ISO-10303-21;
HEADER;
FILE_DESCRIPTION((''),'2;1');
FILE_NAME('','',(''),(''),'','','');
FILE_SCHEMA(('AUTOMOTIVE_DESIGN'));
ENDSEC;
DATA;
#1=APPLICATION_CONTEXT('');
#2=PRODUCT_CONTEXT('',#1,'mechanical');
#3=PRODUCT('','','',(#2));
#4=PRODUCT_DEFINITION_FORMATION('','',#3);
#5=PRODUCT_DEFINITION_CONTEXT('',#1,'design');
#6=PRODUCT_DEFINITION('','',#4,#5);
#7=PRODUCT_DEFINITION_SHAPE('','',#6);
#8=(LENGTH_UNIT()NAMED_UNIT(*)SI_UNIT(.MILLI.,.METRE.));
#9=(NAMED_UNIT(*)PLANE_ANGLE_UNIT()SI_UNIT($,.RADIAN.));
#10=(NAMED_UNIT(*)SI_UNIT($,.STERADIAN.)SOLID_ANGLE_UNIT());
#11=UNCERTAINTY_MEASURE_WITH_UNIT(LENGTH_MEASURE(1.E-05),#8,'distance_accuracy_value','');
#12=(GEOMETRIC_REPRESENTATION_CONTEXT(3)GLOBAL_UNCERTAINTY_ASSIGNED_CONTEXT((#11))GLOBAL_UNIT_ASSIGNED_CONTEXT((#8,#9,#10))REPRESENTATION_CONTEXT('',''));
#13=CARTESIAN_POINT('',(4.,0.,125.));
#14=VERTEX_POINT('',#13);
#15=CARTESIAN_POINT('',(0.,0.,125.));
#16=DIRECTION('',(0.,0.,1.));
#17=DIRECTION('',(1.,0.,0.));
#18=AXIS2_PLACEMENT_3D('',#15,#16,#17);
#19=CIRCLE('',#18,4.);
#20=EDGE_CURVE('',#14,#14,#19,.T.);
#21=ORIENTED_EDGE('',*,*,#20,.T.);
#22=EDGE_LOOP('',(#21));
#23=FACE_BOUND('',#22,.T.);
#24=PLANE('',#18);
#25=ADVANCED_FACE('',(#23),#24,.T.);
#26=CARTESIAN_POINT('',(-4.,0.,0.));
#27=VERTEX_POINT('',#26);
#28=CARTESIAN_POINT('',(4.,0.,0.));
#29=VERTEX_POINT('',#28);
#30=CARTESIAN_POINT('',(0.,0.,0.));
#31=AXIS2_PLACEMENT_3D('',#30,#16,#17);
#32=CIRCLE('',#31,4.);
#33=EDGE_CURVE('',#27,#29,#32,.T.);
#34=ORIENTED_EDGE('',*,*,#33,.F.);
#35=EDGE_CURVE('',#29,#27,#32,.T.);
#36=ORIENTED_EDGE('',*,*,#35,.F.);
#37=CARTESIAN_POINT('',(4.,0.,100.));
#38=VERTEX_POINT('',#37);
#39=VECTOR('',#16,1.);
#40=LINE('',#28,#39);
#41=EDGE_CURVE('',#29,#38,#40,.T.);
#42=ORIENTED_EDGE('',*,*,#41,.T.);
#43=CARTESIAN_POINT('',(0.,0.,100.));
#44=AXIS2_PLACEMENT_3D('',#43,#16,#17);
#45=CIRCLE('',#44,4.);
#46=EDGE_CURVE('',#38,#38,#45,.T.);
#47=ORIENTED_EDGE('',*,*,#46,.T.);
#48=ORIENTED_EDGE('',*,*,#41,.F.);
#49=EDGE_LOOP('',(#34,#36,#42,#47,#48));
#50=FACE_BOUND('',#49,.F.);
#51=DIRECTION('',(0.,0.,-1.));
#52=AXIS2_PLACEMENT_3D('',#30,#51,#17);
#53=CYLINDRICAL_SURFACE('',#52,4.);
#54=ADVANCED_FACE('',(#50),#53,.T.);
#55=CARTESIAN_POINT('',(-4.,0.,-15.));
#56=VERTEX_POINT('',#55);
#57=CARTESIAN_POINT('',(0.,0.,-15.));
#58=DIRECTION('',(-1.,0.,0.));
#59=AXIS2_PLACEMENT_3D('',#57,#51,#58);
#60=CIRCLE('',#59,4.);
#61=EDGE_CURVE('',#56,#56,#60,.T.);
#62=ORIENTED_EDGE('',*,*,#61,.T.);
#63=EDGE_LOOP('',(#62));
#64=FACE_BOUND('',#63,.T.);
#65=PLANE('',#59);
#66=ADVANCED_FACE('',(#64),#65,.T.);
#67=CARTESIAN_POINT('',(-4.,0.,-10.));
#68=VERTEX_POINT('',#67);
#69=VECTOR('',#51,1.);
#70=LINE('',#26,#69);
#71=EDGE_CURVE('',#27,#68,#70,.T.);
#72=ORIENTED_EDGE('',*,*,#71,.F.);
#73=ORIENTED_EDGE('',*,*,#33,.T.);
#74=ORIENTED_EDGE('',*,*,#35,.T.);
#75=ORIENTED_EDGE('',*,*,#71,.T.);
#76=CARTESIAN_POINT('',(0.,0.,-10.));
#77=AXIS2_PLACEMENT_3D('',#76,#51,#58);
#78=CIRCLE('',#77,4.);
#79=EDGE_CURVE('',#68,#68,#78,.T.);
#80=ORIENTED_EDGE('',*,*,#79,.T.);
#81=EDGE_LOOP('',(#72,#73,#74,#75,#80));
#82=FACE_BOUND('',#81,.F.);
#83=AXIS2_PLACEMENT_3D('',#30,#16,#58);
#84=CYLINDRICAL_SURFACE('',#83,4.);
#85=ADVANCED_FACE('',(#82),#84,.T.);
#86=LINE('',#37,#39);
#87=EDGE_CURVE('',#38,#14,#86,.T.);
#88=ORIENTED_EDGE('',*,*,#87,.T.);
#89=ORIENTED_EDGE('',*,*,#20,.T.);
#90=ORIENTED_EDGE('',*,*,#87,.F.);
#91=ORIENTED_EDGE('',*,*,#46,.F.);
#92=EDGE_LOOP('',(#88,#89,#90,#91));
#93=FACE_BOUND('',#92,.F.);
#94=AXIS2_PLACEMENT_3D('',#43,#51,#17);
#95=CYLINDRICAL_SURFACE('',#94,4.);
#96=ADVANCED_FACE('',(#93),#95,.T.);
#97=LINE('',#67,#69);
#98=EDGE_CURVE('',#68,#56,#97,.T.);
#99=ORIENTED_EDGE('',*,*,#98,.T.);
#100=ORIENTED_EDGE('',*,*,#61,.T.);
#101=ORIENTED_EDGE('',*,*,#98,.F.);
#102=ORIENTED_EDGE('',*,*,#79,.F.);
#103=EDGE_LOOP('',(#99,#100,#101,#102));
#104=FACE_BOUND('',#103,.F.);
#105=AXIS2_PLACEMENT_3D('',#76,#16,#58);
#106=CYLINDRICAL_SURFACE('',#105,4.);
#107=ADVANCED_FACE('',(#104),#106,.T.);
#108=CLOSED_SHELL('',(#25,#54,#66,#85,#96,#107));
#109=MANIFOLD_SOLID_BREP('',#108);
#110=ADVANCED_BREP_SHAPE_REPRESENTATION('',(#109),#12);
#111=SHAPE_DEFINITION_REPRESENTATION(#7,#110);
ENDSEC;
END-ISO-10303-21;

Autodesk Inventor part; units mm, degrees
ref_plane "YZ Plane" through (0, 0, 0) normal (1, 0, 0) x (0, 1, 0)
ref_plane "XZ Plane" through (0, 0, 0) normal (0, 1, 0) x (-1, 0, 0)
ref_plane "XY Plane" through (0, 0, 0) normal (0, 0, 1) x (1, 0, 0)
sketch "スケッチ1" plane through (0, 0, 0) normal (0, 0, 1) x (1, 0, 0)
  circle A0 centre (0, 0) radius 4
  dimension "d0" = 8
extrude "押し出し1" add sketch "スケッチ1" along normal blind 100
sketch "スケッチ2" plane through (0, 0, 0) normal (0, 0, -1) x (-1, 0, 0)
  circle A0 centre (0, 0) radius 4
extrude "押し出し2" add sketch "スケッチ2" along normal blind 10
sketch "スケッチ3" plane through (0, 0, 100) normal (0, 0, 1) x (1, 0, 0)
  circle A0 centre (0, 0) radius 4 projected
  circle A1 centre (0, 0) radius 4
  dimension "d5" = 8
extrude "押し出し3" add sketch "スケッチ3" along normal blind 25
sketch "スケッチ4" plane through (0, 0, -10) normal (0, 0, -1) x (-1, 0, 0)
  circle A0 centre (0, 0) radius 4
extrude "押し出し4" add sketch "スケッチ4" along normal blind 5
properties part number "8mm軸_2"
